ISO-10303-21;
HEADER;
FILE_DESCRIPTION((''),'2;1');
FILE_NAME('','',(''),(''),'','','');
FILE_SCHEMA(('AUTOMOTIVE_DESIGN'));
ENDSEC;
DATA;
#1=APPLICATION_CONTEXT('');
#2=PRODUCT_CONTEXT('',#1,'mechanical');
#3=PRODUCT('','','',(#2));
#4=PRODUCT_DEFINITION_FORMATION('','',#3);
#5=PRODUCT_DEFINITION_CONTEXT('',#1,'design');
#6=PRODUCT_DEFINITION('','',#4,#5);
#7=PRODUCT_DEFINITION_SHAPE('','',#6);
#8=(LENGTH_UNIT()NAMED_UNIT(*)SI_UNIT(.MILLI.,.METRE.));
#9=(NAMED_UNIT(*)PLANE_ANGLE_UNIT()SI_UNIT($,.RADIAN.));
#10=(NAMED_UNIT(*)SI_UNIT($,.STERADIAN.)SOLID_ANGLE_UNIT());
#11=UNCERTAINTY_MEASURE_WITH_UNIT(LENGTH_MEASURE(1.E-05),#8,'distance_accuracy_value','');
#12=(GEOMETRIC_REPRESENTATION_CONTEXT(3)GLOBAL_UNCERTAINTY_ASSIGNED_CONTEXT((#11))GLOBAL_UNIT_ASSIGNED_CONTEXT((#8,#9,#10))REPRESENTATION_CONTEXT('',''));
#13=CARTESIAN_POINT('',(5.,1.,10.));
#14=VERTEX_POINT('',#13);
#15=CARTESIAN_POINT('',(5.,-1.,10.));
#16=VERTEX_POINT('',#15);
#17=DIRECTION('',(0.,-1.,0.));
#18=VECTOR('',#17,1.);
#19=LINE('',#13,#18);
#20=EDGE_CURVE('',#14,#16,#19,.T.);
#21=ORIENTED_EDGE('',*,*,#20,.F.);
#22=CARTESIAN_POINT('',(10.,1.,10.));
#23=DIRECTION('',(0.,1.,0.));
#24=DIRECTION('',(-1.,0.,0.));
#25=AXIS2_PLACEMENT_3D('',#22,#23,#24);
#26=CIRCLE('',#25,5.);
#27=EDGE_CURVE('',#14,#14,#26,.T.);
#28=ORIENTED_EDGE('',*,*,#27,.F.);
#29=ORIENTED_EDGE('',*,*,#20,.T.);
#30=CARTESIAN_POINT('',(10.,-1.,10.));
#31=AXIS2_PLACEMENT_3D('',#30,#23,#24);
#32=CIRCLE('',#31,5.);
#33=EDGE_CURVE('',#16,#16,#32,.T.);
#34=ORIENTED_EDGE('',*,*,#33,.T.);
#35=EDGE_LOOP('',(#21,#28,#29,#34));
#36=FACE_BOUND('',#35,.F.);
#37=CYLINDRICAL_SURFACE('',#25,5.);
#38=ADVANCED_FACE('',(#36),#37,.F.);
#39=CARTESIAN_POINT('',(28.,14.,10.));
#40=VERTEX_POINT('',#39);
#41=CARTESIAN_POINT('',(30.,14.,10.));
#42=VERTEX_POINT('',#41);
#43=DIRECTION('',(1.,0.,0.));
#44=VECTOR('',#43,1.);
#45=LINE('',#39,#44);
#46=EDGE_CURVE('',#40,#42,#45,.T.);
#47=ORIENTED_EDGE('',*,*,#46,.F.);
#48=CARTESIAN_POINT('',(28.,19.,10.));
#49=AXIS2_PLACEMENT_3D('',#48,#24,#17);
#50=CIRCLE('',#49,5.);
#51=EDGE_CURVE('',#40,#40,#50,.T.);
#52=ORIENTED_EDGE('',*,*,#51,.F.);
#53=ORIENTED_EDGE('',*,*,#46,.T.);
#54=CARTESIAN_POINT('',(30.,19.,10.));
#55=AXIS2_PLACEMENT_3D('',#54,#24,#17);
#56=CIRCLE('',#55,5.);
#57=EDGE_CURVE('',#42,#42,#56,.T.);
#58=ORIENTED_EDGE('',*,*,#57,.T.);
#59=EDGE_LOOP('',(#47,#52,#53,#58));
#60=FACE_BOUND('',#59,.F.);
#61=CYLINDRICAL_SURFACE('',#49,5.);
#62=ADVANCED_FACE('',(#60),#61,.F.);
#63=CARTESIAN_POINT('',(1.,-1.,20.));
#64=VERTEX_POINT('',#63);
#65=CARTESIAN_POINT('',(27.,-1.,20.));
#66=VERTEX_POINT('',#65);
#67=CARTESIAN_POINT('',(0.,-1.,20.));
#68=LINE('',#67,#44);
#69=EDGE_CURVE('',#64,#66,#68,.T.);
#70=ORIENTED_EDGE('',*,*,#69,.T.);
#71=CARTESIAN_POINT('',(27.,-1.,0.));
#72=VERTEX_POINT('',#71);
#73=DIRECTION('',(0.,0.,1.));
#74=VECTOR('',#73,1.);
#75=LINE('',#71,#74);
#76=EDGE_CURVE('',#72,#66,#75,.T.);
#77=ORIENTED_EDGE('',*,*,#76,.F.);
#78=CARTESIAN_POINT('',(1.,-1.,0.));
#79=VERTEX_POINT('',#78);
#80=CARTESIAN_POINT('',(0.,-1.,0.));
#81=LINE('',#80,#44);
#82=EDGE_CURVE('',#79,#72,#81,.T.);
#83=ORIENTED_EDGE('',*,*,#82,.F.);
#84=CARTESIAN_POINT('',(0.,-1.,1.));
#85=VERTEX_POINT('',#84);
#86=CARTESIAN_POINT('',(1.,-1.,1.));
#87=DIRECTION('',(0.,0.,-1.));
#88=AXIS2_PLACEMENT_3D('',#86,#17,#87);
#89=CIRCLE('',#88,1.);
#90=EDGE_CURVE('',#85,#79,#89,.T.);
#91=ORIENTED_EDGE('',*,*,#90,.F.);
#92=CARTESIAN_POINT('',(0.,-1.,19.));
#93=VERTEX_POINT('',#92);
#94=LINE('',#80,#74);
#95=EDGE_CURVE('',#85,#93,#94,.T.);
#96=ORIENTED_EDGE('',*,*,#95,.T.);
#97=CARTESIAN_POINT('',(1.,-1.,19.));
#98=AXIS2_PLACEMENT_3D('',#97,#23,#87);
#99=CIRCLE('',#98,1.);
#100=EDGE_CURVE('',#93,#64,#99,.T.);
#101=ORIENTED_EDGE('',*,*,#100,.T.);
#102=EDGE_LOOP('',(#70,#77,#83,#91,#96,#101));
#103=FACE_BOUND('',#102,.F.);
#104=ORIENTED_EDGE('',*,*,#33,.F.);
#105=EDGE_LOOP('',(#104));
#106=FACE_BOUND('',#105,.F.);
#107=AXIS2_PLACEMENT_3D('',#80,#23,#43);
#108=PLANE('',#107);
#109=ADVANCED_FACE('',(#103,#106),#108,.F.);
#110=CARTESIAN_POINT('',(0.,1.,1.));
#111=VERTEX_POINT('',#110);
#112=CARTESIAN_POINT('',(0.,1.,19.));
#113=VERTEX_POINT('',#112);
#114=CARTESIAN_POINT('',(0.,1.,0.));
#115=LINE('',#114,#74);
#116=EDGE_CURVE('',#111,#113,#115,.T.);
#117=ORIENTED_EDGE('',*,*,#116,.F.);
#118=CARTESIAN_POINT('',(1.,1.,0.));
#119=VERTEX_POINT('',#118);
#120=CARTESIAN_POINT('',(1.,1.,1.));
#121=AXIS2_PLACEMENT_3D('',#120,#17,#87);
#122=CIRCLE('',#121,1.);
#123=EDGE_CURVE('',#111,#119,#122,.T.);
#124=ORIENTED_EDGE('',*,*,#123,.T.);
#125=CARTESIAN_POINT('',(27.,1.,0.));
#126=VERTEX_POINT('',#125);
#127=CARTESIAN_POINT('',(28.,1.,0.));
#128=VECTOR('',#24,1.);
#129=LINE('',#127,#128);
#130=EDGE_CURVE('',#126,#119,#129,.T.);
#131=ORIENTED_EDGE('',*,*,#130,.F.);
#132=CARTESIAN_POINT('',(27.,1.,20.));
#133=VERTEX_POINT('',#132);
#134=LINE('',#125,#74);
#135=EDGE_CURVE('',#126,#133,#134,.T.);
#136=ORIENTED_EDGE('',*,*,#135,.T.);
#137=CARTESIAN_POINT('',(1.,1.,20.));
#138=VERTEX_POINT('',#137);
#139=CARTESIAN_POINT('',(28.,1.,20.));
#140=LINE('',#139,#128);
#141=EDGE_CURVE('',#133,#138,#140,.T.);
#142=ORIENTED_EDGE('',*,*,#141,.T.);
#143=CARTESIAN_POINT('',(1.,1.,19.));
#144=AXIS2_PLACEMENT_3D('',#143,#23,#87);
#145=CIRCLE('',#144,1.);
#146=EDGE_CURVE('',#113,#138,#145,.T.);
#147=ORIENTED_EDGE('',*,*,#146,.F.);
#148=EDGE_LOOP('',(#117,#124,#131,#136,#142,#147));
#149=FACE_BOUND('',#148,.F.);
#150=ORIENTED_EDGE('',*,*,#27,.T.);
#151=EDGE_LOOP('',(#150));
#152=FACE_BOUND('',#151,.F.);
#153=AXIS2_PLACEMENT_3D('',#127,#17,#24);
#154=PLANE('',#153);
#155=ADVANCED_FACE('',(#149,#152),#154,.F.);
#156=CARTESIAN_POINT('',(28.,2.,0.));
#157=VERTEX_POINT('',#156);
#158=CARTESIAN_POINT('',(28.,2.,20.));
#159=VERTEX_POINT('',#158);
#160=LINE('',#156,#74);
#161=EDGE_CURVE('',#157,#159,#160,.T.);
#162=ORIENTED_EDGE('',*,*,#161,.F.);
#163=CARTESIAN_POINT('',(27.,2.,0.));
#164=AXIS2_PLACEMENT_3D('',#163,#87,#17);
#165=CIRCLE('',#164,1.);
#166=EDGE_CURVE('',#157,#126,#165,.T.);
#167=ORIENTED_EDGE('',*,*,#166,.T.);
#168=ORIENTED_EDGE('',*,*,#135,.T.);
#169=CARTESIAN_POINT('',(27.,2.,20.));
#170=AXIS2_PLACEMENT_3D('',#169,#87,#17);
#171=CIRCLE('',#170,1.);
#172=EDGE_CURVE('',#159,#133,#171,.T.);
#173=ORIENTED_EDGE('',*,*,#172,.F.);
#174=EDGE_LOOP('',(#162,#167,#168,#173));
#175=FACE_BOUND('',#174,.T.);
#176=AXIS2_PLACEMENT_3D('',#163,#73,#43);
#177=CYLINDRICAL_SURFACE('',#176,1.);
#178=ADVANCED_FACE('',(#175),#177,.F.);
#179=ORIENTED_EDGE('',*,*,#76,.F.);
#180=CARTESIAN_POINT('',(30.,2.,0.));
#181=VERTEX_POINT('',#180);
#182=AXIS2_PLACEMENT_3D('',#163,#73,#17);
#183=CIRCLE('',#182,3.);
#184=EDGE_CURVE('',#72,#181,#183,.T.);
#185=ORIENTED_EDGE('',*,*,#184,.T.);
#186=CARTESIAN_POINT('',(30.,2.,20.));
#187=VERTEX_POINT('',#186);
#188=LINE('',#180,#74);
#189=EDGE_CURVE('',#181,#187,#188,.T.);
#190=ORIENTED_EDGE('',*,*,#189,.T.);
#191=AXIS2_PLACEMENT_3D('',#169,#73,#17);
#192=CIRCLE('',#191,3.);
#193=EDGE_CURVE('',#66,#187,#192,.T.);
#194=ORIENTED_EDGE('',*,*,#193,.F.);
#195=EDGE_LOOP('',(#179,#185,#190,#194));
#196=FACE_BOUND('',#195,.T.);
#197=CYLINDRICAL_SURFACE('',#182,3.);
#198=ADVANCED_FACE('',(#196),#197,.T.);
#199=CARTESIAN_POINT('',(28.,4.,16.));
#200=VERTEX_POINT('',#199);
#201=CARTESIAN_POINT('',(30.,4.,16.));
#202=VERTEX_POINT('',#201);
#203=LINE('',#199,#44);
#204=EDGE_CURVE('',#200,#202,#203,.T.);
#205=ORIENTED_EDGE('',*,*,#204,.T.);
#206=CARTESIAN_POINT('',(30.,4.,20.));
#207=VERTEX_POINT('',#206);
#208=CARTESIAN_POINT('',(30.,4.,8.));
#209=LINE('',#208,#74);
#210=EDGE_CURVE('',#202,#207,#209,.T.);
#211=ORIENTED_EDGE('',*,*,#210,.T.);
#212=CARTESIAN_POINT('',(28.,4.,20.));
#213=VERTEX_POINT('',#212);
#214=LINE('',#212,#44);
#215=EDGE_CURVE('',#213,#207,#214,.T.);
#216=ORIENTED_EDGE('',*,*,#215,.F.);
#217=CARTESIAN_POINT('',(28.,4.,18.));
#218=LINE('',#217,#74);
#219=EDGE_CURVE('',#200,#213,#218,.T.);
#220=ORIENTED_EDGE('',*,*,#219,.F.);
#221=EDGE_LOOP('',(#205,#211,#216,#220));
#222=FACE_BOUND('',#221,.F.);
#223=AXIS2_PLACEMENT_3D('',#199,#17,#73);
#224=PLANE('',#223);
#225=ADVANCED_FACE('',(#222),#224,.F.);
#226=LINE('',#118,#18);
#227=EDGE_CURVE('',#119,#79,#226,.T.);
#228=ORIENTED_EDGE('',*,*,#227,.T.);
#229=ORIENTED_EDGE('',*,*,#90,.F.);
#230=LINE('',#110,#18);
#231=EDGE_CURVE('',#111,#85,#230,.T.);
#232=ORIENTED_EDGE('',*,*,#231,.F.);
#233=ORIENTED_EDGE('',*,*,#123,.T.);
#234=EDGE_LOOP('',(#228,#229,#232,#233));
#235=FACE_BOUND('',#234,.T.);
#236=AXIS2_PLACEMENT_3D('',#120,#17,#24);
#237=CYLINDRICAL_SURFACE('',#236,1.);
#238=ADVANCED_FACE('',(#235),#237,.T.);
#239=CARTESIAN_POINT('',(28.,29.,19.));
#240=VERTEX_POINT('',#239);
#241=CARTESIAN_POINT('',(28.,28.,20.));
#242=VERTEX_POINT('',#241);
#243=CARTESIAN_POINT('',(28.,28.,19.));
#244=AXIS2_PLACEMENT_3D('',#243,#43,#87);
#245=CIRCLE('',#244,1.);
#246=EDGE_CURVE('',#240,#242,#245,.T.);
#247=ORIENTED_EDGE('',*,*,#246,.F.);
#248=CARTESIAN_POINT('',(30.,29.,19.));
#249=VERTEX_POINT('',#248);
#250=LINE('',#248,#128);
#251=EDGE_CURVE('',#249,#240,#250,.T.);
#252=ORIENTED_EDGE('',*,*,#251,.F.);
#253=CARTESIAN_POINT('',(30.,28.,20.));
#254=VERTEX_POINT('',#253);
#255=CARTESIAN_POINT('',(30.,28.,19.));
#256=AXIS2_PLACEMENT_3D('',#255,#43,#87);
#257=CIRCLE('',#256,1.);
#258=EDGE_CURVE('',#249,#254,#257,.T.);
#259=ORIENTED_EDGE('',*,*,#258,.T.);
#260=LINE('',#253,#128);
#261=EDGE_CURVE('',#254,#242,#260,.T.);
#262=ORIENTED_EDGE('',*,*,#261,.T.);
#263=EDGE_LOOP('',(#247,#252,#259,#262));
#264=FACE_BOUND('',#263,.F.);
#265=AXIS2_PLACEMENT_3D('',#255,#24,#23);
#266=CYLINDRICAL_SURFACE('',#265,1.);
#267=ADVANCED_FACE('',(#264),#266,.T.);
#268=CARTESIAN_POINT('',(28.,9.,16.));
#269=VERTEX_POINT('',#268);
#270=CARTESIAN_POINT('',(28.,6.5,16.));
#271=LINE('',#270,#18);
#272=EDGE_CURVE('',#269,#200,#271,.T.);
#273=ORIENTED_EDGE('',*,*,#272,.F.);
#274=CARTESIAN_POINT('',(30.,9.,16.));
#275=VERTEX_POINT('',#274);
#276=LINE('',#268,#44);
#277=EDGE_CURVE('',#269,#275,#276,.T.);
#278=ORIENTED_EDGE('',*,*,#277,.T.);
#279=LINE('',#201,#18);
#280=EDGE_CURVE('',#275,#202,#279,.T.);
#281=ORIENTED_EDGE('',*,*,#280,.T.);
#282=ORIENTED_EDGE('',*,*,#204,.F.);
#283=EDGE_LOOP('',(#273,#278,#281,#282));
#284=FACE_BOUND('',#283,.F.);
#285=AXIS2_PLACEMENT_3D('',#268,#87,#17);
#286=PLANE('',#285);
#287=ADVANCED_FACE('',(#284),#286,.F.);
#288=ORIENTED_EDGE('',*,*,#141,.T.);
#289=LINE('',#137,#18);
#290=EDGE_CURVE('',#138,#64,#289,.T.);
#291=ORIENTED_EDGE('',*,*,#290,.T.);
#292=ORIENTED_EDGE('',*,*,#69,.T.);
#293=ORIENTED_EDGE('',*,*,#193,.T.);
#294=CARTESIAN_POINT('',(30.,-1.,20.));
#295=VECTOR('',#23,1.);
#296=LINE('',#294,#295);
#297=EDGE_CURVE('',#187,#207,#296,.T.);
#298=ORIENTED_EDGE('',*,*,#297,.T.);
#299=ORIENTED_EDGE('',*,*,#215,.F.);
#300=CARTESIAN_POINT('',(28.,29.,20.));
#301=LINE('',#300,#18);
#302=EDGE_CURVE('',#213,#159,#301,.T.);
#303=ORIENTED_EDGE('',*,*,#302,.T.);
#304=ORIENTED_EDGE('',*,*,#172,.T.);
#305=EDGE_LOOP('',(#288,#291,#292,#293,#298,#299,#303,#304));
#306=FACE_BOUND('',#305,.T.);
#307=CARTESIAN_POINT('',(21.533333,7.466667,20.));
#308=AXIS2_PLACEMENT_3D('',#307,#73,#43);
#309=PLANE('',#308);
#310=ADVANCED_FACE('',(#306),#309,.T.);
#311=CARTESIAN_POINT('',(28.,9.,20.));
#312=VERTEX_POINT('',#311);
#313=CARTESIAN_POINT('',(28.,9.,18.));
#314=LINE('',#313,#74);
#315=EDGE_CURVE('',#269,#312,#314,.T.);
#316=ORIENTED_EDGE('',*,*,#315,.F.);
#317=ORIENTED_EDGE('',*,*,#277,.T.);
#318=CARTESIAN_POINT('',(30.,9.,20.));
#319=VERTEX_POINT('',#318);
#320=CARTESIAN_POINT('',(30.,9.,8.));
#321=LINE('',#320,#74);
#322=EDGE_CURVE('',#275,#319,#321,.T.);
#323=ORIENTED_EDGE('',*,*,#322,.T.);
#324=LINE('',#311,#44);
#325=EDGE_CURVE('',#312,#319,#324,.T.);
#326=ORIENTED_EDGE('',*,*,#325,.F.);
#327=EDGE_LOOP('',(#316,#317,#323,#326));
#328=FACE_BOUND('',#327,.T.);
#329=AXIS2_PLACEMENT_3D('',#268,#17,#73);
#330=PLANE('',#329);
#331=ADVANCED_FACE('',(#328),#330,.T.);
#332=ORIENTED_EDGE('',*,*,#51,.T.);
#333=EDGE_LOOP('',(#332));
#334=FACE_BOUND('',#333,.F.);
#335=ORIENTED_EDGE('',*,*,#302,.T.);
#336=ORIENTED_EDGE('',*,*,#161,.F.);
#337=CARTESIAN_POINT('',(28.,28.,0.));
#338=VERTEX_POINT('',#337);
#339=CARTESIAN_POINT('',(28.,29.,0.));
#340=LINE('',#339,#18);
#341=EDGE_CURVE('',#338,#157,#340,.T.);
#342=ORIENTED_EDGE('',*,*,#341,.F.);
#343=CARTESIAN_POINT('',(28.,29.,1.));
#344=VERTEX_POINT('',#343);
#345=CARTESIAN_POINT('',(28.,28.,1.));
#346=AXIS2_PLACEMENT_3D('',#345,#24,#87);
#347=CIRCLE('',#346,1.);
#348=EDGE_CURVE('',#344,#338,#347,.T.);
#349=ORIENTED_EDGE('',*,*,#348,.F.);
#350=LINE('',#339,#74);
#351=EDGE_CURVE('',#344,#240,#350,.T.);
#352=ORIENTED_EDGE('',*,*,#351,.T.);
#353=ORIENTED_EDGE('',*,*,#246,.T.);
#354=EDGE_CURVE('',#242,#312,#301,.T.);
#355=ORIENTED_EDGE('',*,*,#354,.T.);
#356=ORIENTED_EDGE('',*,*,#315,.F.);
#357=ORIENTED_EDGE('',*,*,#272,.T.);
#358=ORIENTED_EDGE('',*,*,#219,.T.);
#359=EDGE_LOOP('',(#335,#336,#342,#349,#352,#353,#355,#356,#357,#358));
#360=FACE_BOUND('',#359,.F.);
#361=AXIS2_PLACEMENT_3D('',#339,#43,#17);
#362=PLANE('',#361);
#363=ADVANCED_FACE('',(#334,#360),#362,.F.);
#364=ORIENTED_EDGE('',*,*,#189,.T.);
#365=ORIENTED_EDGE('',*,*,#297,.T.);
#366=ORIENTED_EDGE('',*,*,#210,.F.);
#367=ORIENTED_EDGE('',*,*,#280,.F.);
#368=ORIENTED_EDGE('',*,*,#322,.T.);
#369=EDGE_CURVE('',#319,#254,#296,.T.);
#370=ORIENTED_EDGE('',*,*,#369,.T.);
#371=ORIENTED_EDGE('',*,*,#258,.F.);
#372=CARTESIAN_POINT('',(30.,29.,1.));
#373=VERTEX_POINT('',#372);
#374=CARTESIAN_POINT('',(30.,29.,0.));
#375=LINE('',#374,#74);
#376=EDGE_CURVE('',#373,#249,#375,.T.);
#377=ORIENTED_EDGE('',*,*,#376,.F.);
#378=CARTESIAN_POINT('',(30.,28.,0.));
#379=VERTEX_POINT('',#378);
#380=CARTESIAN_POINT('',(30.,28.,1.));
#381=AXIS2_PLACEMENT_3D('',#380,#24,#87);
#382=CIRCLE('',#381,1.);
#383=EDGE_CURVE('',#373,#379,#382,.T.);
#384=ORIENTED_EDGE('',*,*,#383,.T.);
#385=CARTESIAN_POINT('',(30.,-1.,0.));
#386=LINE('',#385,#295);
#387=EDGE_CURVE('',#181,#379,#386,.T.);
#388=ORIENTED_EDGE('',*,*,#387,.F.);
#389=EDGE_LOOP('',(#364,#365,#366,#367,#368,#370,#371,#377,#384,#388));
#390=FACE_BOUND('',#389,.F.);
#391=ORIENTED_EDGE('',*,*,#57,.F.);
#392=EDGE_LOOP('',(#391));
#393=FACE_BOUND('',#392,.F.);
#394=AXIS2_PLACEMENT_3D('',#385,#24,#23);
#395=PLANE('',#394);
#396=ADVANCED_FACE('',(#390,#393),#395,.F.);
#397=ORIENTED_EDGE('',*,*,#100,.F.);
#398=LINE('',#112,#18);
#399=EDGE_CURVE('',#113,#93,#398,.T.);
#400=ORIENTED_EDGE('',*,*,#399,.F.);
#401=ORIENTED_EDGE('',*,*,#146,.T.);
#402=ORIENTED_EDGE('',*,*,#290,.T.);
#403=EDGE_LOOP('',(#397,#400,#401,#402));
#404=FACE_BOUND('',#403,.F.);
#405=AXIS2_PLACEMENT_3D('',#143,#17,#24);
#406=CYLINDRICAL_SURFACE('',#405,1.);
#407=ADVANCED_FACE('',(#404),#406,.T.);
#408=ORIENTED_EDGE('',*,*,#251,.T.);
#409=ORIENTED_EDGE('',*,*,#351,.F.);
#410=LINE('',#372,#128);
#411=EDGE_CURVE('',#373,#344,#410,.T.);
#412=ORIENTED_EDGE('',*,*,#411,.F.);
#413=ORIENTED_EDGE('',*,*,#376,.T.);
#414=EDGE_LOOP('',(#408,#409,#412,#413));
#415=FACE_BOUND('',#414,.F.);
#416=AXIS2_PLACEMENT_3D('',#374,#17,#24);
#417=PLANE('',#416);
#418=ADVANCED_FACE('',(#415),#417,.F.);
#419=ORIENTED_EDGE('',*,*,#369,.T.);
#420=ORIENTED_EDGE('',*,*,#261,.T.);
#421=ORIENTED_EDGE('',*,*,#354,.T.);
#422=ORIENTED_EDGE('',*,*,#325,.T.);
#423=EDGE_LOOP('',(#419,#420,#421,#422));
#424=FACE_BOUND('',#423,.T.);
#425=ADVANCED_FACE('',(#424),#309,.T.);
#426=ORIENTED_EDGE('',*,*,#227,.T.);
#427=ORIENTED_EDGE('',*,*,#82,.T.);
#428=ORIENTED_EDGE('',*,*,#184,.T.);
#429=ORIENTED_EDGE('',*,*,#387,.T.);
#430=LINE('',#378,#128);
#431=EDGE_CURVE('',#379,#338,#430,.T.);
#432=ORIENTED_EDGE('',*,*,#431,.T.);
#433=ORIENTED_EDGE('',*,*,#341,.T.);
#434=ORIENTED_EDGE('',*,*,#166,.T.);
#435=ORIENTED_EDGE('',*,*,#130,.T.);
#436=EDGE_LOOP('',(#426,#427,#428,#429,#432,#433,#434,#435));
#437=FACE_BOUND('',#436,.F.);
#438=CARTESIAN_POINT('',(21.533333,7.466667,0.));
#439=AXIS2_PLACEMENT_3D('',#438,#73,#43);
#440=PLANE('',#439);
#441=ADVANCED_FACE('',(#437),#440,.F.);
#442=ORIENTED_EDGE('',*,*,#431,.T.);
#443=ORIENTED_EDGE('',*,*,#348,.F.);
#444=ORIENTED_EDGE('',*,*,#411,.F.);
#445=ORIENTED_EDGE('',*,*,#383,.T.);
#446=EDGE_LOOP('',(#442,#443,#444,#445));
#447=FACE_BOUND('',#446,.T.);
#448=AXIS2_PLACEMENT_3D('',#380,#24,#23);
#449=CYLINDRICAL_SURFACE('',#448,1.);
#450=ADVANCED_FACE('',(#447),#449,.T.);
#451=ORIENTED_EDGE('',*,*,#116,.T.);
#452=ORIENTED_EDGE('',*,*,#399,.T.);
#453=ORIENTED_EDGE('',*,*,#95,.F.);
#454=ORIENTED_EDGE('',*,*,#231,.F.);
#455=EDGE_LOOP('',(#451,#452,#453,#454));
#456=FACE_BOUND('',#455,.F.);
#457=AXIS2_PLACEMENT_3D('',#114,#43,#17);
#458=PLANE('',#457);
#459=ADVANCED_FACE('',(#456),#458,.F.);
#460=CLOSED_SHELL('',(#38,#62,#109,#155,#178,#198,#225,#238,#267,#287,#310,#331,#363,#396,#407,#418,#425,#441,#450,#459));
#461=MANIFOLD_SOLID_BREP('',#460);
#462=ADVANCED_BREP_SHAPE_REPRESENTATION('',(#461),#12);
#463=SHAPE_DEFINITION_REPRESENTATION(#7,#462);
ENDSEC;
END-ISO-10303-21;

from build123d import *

# Parameters (mm, degrees)
F2_DEPTH  = 20
F3_R      = 1
F4_R      = 3
F5_R      = 5
F6_DEPTH  = 25
F7_R      = 5
F8_DEPTH  = 25
F9_W      = 5
F9_H      = 4
F10_DEPTH = 25


with BuildPart() as f2:
    # F1 (on offset) → F2 (new body)
    with BuildSketch(Plane.XY):
        Polygon((0, 1), (0, 0), (0, -1), (30, -1), (30, 29), (28, 29), (28, 1), align=None)
    extrude(amount=F2_DEPTH)

    # F3
    f3_edges = [f2.edges().sort_by_distance(p)[0] for p in [
        (0, 0, 20),
        (28, 1, 10),
        (29, 29, 0),
        (29, 29, 20),
        (0, 0, 0),
    ]]
    fillet(f3_edges, radius=F3_R)

    # F4
    f4_edges = [f2.edges().sort_by_distance(p)[0] for p in [
        (30, -1, 10),
    ]]
    fillet(f4_edges, radius=F4_R)

    # F5 (on face) → F6 (cut)
    with BuildSketch(Plane(origin=(28, 0, 0), x_dir=(0, -1, 0), z_dir=(-1, 0, 0))):
        with Locations((-19, 10)):
            Circle(F5_R)
    extrude(amount=-F6_DEPTH, mode=Mode.SUBTRACT)

    # F7 (on face) → F8 (cut)
    with BuildSketch(Plane(origin=(0, 1, 0), x_dir=(-1, 0, 0), z_dir=(0, 1, 0))):
        with Locations((-10, 10)):
            Circle(F7_R)
    extrude(amount=-F8_DEPTH, mode=Mode.SUBTRACT)

    # F9 (on face) → F10 (cut)
    with BuildSketch(Plane(origin=(28, 0, 0), x_dir=(0, -1, 0), z_dir=(-1, 0, 0))):
        with Locations((-6.5, 18)):
            Rectangle(F9_W, F9_H)
    extrude(amount=-F10_DEPTH, mode=Mode.SUBTRACT)


solid = f2.part
